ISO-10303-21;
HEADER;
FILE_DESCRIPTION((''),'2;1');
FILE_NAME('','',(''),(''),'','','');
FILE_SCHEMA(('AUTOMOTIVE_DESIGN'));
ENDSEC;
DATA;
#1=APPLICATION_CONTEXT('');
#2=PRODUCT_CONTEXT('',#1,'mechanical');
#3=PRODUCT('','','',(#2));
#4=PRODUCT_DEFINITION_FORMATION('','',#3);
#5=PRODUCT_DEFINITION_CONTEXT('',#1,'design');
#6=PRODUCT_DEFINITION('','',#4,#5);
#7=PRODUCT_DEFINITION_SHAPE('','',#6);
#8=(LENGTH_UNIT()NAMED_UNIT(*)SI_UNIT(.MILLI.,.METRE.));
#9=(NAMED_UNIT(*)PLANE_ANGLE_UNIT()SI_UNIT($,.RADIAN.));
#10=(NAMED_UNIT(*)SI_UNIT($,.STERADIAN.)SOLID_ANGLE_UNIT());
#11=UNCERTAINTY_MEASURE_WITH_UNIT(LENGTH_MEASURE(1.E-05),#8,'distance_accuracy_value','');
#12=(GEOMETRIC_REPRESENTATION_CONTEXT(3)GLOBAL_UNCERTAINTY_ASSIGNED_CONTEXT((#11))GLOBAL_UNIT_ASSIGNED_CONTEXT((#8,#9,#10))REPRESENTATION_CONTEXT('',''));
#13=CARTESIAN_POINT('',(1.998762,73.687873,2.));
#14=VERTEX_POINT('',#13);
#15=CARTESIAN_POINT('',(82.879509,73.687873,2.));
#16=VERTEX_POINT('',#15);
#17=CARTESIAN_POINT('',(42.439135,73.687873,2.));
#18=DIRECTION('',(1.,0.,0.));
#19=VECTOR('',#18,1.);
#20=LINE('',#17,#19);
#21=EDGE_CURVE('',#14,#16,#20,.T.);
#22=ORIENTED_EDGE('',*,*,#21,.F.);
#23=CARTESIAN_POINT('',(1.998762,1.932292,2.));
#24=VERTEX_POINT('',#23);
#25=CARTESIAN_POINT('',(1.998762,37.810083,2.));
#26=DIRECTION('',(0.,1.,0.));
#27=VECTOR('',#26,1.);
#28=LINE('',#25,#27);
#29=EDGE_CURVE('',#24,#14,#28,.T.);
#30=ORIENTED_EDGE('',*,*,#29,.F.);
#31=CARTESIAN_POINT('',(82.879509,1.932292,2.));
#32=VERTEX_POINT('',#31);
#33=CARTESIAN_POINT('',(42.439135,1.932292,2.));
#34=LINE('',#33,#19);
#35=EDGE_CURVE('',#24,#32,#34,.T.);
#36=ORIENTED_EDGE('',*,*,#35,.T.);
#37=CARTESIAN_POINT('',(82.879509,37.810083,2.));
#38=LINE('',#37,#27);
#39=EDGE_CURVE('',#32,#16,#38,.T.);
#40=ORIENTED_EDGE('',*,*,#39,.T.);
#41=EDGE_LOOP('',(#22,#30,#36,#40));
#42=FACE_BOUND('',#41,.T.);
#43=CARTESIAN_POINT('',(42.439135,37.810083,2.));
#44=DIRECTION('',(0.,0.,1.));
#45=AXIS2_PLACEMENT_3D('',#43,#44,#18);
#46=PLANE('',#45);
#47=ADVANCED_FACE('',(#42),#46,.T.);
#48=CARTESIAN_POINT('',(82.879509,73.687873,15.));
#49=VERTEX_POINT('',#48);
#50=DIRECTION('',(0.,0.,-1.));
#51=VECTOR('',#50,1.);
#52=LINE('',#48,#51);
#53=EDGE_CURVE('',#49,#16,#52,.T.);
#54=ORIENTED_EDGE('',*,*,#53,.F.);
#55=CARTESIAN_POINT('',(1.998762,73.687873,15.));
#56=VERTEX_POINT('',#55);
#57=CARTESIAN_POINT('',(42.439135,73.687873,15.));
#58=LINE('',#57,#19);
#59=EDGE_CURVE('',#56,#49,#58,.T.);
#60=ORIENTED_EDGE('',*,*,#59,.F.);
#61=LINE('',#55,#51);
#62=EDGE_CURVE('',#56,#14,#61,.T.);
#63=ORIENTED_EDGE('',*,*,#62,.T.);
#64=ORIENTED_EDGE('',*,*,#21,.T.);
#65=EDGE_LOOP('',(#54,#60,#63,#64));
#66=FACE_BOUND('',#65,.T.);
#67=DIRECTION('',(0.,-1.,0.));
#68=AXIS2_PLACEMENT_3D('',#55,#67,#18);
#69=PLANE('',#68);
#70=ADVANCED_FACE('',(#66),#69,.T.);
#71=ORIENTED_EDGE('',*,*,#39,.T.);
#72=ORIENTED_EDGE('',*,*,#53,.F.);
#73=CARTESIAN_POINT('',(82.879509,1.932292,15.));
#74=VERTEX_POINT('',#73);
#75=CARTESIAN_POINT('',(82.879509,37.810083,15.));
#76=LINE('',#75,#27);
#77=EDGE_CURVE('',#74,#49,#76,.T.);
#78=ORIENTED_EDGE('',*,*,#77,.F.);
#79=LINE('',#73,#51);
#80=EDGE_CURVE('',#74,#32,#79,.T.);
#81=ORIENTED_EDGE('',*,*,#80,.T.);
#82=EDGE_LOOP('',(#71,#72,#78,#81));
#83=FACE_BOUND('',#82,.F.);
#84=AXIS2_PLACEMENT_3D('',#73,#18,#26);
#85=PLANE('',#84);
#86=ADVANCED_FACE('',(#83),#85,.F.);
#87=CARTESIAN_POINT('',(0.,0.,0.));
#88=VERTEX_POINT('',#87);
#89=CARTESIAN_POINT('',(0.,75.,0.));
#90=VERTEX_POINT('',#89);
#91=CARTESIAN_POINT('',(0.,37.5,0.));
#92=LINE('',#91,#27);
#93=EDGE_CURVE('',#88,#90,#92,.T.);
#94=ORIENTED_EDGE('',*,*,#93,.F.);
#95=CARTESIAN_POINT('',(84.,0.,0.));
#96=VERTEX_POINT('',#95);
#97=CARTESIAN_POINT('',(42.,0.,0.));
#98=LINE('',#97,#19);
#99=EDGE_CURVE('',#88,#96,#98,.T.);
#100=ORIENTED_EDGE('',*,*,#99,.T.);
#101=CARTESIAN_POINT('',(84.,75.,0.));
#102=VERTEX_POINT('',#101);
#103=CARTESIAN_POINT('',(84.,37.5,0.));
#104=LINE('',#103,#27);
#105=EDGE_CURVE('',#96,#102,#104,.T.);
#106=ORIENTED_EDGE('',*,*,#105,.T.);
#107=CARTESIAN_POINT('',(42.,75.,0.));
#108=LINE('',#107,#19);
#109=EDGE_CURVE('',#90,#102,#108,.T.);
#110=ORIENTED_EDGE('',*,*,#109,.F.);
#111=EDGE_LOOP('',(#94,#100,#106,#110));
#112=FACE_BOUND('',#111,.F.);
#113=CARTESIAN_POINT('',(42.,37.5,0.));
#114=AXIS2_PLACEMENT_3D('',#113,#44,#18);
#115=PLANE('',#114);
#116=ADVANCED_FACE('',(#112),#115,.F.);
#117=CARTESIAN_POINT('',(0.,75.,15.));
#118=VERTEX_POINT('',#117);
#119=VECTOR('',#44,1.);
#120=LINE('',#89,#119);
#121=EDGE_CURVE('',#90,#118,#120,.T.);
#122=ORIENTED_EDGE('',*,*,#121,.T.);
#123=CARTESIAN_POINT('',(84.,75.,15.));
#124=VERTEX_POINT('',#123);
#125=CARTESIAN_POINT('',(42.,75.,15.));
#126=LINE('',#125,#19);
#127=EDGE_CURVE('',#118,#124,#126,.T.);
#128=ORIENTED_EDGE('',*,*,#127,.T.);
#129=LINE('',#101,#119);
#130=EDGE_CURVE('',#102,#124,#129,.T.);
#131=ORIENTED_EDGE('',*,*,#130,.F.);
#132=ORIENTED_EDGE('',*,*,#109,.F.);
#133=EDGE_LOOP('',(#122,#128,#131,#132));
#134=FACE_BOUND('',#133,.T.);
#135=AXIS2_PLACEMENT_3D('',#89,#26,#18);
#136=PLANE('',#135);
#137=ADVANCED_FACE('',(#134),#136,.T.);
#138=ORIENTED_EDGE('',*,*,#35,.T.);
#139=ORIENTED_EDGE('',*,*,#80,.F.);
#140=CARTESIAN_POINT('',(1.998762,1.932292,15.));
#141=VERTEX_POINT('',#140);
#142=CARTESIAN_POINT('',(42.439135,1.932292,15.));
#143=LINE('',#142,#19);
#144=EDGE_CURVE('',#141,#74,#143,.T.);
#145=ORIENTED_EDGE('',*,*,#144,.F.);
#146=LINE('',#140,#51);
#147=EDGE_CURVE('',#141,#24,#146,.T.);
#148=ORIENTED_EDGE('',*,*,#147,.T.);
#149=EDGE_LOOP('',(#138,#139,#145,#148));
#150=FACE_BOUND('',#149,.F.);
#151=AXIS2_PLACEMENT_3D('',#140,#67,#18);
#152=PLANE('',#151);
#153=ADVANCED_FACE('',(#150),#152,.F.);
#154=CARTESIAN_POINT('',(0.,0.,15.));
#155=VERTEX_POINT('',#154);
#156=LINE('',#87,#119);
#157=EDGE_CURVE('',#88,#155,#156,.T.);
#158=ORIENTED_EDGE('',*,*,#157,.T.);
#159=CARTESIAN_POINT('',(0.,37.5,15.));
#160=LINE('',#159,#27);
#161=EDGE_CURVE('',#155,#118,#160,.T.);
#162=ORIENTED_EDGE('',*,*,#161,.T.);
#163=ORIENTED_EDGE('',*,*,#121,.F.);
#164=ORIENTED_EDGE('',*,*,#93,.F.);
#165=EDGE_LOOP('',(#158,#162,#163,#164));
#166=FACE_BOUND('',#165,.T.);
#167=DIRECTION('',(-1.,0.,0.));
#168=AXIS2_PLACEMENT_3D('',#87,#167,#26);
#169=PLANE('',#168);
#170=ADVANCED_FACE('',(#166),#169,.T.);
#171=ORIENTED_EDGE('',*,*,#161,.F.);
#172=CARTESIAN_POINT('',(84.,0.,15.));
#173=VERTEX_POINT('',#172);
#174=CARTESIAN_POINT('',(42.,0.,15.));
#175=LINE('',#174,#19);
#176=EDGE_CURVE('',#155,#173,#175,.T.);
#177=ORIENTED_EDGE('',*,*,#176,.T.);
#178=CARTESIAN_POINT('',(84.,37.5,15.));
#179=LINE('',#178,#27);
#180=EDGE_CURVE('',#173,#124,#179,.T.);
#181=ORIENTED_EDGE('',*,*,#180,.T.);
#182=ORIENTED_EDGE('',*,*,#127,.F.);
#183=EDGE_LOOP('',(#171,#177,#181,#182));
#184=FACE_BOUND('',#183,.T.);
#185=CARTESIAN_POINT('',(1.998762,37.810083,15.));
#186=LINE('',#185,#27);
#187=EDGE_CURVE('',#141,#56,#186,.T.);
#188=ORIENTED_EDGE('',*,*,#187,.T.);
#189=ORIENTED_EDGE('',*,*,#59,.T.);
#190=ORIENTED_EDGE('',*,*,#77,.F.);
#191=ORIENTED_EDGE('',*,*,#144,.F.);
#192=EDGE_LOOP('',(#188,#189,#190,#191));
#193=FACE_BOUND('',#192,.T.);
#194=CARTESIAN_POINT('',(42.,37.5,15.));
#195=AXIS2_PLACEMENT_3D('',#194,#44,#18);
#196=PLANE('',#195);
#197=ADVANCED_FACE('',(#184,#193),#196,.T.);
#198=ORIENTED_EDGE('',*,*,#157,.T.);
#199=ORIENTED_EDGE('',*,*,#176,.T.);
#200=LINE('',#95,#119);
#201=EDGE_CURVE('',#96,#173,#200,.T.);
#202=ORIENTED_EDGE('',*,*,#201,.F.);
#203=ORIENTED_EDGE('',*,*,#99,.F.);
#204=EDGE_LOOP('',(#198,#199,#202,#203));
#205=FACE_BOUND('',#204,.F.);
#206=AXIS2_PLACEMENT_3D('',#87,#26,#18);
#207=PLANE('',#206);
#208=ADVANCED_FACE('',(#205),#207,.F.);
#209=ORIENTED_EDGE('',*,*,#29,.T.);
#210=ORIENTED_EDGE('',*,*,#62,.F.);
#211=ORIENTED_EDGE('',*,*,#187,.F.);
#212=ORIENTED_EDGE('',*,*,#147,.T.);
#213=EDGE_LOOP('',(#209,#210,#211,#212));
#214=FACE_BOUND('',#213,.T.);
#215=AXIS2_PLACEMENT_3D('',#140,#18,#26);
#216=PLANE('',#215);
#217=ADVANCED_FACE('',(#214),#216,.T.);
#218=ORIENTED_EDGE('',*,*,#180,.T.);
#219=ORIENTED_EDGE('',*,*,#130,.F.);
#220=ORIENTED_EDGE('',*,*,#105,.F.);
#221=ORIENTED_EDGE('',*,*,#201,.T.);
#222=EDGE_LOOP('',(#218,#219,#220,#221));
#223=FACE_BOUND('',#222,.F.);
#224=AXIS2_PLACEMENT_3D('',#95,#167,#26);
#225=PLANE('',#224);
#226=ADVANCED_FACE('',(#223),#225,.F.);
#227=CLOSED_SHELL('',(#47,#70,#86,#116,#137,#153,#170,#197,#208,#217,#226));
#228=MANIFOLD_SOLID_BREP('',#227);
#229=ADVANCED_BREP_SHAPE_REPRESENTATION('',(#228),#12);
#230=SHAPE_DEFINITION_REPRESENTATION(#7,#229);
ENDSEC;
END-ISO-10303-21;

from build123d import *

# Parameters (mm, degrees)
BOX_W        = 84
BOX_H        = 75
BOX_DEPTH    = 15
SKETCH_W     = 80.880747
SKETCH_H     = 71.755581
POCKET_DEPTH = 13


with BuildPart() as part:
    # Box → Box (new body)
    with BuildSketch(Plane.XY):
        with Locations((42, 37.5)):
            Rectangle(BOX_W, BOX_H)
    extrude(amount=BOX_DEPTH)

    # Sketch (on Face6 of BaseFeature) → Pocket (cut)
    with BuildSketch(Plane.XY.offset(15)):
        with Locations((42.439135, 37.810083)):
            Rectangle(SKETCH_W, SKETCH_H)
    extrude(amount=-POCKET_DEPTH, mode=Mode.SUBTRACT)


solid = part.part
